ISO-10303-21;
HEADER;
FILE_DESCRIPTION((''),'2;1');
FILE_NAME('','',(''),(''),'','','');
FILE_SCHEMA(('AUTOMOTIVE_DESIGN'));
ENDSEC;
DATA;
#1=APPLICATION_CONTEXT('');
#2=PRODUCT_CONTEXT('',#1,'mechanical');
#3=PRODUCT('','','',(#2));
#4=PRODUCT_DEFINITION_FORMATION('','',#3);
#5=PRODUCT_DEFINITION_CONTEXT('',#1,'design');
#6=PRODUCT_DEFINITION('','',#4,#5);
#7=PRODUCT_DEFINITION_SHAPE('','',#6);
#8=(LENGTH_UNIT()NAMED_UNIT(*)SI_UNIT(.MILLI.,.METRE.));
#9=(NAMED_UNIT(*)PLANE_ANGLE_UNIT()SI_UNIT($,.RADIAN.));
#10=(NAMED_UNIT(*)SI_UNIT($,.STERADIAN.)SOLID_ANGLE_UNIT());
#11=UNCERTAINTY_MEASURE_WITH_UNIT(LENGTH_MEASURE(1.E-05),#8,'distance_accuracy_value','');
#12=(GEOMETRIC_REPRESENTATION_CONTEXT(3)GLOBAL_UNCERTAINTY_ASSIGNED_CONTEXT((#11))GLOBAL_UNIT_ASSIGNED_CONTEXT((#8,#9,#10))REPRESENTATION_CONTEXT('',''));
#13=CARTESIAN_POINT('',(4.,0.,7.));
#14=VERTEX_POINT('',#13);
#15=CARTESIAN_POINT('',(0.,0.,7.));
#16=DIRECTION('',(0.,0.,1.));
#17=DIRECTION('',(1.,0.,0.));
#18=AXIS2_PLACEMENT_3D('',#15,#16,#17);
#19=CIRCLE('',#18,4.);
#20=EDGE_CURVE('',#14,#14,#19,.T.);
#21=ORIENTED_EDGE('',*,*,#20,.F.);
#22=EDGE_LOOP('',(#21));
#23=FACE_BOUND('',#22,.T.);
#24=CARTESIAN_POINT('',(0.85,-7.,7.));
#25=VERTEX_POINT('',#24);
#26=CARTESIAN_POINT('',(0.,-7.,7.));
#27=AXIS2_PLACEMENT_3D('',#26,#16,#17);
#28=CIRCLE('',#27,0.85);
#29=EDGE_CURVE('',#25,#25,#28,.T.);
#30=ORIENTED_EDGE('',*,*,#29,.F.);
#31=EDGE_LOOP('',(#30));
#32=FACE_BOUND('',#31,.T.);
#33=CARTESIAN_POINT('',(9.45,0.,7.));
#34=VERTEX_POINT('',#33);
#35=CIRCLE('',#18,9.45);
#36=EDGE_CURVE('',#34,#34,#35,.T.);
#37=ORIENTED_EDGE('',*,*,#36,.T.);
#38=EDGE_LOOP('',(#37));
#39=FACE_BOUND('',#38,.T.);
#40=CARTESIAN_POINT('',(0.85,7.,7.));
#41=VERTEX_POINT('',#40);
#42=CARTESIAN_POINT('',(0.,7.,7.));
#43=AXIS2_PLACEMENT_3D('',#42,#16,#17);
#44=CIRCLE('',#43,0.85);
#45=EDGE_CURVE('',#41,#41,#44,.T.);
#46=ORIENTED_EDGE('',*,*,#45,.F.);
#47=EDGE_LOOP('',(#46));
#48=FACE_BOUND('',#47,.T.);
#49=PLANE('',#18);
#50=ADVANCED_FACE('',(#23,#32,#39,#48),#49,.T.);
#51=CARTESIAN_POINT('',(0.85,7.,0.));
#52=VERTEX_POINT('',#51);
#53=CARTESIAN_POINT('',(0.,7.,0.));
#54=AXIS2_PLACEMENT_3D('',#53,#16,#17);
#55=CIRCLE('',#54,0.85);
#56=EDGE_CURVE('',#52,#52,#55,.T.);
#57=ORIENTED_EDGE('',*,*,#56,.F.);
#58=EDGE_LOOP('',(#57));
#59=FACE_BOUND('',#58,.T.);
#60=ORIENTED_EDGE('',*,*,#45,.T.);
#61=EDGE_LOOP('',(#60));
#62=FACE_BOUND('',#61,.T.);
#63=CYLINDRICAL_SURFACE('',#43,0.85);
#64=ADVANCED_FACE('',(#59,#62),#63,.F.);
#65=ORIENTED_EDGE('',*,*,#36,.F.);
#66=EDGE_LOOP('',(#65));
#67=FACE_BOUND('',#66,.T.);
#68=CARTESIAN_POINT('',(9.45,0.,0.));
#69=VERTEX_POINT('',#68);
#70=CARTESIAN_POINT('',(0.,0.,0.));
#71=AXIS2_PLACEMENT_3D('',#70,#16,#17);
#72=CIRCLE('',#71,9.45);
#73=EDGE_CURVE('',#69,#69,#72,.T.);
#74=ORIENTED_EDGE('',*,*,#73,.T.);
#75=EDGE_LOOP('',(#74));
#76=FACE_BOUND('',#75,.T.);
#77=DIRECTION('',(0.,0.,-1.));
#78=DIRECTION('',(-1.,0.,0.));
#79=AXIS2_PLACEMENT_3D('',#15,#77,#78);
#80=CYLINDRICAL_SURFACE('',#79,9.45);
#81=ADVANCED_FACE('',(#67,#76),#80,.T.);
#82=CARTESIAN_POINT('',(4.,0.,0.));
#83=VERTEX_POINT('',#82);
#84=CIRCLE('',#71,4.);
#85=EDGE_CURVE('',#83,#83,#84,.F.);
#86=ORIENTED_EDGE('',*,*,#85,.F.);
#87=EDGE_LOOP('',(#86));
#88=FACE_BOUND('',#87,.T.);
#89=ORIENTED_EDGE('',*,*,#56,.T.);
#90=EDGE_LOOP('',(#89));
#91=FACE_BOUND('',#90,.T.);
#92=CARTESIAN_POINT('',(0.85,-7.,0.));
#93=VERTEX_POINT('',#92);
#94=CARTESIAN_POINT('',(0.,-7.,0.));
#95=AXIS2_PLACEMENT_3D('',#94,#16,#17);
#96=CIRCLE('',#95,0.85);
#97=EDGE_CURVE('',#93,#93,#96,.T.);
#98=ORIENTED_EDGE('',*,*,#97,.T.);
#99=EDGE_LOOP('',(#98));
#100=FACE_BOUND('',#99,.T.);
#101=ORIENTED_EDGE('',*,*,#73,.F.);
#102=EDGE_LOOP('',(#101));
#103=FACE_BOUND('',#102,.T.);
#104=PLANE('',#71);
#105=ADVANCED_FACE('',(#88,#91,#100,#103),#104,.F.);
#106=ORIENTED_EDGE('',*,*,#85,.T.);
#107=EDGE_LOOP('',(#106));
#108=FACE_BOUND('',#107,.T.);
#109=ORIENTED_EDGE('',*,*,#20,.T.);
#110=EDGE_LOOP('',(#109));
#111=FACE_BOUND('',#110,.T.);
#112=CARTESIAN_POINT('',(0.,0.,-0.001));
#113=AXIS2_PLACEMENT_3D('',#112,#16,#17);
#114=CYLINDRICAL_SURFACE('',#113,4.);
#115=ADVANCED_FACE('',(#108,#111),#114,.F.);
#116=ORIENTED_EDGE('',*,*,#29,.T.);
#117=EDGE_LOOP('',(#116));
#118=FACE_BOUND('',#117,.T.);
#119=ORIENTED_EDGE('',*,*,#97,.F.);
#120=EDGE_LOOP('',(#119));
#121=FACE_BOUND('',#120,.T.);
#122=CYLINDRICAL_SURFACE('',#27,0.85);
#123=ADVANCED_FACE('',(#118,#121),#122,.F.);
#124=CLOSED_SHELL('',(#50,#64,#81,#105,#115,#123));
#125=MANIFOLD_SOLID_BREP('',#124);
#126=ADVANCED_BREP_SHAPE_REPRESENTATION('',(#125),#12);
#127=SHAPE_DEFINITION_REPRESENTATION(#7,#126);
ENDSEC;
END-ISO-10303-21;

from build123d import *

# Parameters (mm, degrees)
SKETCH1_R                      = 9.45
BOSS_EXTRUDE1_DEPTH            = 7
CUT_EXTRUDE1_REACH             = 17.087
SKETCH2_R                      = 4
TAP_DRILL_FOR_M2_5X0_45_TAP1_D = 1.7


with BuildPart() as part:
    # Sketch1 → Boss-Extrude1 (new body)
    with BuildSketch(Plane.XY):
        Circle(SKETCH1_R)
    extrude(amount=BOSS_EXTRUDE1_DEPTH)

    # Sketch2 → Cut-Extrude1 (cut, up to next)
    with BuildSketch(Plane.XY.offset(7), mode=Mode.PRIVATE) as cut_extrude1_sk1:
        Circle(SKETCH2_R)
    cut_extrude1_tool1 = extrude(cut_extrude1_sk1.sketch, amount=-CUT_EXTRUDE1_REACH, mode=Mode.PRIVATE) & part.part
    add(cut_extrude1_tool1.solids().sort_by_distance((0, 0, 7))[0], mode=Mode.SUBTRACT)

    # Tap Drill for M2.5x0.45 Tap1 (through all)
    with Locations(Plane.XY.offset(7)):
        with Locations((0, 7), (0, -7)):
            Hole(TAP_DRILL_FOR_M2_5X0_45_TAP1_D / 2)


solid = part.part
